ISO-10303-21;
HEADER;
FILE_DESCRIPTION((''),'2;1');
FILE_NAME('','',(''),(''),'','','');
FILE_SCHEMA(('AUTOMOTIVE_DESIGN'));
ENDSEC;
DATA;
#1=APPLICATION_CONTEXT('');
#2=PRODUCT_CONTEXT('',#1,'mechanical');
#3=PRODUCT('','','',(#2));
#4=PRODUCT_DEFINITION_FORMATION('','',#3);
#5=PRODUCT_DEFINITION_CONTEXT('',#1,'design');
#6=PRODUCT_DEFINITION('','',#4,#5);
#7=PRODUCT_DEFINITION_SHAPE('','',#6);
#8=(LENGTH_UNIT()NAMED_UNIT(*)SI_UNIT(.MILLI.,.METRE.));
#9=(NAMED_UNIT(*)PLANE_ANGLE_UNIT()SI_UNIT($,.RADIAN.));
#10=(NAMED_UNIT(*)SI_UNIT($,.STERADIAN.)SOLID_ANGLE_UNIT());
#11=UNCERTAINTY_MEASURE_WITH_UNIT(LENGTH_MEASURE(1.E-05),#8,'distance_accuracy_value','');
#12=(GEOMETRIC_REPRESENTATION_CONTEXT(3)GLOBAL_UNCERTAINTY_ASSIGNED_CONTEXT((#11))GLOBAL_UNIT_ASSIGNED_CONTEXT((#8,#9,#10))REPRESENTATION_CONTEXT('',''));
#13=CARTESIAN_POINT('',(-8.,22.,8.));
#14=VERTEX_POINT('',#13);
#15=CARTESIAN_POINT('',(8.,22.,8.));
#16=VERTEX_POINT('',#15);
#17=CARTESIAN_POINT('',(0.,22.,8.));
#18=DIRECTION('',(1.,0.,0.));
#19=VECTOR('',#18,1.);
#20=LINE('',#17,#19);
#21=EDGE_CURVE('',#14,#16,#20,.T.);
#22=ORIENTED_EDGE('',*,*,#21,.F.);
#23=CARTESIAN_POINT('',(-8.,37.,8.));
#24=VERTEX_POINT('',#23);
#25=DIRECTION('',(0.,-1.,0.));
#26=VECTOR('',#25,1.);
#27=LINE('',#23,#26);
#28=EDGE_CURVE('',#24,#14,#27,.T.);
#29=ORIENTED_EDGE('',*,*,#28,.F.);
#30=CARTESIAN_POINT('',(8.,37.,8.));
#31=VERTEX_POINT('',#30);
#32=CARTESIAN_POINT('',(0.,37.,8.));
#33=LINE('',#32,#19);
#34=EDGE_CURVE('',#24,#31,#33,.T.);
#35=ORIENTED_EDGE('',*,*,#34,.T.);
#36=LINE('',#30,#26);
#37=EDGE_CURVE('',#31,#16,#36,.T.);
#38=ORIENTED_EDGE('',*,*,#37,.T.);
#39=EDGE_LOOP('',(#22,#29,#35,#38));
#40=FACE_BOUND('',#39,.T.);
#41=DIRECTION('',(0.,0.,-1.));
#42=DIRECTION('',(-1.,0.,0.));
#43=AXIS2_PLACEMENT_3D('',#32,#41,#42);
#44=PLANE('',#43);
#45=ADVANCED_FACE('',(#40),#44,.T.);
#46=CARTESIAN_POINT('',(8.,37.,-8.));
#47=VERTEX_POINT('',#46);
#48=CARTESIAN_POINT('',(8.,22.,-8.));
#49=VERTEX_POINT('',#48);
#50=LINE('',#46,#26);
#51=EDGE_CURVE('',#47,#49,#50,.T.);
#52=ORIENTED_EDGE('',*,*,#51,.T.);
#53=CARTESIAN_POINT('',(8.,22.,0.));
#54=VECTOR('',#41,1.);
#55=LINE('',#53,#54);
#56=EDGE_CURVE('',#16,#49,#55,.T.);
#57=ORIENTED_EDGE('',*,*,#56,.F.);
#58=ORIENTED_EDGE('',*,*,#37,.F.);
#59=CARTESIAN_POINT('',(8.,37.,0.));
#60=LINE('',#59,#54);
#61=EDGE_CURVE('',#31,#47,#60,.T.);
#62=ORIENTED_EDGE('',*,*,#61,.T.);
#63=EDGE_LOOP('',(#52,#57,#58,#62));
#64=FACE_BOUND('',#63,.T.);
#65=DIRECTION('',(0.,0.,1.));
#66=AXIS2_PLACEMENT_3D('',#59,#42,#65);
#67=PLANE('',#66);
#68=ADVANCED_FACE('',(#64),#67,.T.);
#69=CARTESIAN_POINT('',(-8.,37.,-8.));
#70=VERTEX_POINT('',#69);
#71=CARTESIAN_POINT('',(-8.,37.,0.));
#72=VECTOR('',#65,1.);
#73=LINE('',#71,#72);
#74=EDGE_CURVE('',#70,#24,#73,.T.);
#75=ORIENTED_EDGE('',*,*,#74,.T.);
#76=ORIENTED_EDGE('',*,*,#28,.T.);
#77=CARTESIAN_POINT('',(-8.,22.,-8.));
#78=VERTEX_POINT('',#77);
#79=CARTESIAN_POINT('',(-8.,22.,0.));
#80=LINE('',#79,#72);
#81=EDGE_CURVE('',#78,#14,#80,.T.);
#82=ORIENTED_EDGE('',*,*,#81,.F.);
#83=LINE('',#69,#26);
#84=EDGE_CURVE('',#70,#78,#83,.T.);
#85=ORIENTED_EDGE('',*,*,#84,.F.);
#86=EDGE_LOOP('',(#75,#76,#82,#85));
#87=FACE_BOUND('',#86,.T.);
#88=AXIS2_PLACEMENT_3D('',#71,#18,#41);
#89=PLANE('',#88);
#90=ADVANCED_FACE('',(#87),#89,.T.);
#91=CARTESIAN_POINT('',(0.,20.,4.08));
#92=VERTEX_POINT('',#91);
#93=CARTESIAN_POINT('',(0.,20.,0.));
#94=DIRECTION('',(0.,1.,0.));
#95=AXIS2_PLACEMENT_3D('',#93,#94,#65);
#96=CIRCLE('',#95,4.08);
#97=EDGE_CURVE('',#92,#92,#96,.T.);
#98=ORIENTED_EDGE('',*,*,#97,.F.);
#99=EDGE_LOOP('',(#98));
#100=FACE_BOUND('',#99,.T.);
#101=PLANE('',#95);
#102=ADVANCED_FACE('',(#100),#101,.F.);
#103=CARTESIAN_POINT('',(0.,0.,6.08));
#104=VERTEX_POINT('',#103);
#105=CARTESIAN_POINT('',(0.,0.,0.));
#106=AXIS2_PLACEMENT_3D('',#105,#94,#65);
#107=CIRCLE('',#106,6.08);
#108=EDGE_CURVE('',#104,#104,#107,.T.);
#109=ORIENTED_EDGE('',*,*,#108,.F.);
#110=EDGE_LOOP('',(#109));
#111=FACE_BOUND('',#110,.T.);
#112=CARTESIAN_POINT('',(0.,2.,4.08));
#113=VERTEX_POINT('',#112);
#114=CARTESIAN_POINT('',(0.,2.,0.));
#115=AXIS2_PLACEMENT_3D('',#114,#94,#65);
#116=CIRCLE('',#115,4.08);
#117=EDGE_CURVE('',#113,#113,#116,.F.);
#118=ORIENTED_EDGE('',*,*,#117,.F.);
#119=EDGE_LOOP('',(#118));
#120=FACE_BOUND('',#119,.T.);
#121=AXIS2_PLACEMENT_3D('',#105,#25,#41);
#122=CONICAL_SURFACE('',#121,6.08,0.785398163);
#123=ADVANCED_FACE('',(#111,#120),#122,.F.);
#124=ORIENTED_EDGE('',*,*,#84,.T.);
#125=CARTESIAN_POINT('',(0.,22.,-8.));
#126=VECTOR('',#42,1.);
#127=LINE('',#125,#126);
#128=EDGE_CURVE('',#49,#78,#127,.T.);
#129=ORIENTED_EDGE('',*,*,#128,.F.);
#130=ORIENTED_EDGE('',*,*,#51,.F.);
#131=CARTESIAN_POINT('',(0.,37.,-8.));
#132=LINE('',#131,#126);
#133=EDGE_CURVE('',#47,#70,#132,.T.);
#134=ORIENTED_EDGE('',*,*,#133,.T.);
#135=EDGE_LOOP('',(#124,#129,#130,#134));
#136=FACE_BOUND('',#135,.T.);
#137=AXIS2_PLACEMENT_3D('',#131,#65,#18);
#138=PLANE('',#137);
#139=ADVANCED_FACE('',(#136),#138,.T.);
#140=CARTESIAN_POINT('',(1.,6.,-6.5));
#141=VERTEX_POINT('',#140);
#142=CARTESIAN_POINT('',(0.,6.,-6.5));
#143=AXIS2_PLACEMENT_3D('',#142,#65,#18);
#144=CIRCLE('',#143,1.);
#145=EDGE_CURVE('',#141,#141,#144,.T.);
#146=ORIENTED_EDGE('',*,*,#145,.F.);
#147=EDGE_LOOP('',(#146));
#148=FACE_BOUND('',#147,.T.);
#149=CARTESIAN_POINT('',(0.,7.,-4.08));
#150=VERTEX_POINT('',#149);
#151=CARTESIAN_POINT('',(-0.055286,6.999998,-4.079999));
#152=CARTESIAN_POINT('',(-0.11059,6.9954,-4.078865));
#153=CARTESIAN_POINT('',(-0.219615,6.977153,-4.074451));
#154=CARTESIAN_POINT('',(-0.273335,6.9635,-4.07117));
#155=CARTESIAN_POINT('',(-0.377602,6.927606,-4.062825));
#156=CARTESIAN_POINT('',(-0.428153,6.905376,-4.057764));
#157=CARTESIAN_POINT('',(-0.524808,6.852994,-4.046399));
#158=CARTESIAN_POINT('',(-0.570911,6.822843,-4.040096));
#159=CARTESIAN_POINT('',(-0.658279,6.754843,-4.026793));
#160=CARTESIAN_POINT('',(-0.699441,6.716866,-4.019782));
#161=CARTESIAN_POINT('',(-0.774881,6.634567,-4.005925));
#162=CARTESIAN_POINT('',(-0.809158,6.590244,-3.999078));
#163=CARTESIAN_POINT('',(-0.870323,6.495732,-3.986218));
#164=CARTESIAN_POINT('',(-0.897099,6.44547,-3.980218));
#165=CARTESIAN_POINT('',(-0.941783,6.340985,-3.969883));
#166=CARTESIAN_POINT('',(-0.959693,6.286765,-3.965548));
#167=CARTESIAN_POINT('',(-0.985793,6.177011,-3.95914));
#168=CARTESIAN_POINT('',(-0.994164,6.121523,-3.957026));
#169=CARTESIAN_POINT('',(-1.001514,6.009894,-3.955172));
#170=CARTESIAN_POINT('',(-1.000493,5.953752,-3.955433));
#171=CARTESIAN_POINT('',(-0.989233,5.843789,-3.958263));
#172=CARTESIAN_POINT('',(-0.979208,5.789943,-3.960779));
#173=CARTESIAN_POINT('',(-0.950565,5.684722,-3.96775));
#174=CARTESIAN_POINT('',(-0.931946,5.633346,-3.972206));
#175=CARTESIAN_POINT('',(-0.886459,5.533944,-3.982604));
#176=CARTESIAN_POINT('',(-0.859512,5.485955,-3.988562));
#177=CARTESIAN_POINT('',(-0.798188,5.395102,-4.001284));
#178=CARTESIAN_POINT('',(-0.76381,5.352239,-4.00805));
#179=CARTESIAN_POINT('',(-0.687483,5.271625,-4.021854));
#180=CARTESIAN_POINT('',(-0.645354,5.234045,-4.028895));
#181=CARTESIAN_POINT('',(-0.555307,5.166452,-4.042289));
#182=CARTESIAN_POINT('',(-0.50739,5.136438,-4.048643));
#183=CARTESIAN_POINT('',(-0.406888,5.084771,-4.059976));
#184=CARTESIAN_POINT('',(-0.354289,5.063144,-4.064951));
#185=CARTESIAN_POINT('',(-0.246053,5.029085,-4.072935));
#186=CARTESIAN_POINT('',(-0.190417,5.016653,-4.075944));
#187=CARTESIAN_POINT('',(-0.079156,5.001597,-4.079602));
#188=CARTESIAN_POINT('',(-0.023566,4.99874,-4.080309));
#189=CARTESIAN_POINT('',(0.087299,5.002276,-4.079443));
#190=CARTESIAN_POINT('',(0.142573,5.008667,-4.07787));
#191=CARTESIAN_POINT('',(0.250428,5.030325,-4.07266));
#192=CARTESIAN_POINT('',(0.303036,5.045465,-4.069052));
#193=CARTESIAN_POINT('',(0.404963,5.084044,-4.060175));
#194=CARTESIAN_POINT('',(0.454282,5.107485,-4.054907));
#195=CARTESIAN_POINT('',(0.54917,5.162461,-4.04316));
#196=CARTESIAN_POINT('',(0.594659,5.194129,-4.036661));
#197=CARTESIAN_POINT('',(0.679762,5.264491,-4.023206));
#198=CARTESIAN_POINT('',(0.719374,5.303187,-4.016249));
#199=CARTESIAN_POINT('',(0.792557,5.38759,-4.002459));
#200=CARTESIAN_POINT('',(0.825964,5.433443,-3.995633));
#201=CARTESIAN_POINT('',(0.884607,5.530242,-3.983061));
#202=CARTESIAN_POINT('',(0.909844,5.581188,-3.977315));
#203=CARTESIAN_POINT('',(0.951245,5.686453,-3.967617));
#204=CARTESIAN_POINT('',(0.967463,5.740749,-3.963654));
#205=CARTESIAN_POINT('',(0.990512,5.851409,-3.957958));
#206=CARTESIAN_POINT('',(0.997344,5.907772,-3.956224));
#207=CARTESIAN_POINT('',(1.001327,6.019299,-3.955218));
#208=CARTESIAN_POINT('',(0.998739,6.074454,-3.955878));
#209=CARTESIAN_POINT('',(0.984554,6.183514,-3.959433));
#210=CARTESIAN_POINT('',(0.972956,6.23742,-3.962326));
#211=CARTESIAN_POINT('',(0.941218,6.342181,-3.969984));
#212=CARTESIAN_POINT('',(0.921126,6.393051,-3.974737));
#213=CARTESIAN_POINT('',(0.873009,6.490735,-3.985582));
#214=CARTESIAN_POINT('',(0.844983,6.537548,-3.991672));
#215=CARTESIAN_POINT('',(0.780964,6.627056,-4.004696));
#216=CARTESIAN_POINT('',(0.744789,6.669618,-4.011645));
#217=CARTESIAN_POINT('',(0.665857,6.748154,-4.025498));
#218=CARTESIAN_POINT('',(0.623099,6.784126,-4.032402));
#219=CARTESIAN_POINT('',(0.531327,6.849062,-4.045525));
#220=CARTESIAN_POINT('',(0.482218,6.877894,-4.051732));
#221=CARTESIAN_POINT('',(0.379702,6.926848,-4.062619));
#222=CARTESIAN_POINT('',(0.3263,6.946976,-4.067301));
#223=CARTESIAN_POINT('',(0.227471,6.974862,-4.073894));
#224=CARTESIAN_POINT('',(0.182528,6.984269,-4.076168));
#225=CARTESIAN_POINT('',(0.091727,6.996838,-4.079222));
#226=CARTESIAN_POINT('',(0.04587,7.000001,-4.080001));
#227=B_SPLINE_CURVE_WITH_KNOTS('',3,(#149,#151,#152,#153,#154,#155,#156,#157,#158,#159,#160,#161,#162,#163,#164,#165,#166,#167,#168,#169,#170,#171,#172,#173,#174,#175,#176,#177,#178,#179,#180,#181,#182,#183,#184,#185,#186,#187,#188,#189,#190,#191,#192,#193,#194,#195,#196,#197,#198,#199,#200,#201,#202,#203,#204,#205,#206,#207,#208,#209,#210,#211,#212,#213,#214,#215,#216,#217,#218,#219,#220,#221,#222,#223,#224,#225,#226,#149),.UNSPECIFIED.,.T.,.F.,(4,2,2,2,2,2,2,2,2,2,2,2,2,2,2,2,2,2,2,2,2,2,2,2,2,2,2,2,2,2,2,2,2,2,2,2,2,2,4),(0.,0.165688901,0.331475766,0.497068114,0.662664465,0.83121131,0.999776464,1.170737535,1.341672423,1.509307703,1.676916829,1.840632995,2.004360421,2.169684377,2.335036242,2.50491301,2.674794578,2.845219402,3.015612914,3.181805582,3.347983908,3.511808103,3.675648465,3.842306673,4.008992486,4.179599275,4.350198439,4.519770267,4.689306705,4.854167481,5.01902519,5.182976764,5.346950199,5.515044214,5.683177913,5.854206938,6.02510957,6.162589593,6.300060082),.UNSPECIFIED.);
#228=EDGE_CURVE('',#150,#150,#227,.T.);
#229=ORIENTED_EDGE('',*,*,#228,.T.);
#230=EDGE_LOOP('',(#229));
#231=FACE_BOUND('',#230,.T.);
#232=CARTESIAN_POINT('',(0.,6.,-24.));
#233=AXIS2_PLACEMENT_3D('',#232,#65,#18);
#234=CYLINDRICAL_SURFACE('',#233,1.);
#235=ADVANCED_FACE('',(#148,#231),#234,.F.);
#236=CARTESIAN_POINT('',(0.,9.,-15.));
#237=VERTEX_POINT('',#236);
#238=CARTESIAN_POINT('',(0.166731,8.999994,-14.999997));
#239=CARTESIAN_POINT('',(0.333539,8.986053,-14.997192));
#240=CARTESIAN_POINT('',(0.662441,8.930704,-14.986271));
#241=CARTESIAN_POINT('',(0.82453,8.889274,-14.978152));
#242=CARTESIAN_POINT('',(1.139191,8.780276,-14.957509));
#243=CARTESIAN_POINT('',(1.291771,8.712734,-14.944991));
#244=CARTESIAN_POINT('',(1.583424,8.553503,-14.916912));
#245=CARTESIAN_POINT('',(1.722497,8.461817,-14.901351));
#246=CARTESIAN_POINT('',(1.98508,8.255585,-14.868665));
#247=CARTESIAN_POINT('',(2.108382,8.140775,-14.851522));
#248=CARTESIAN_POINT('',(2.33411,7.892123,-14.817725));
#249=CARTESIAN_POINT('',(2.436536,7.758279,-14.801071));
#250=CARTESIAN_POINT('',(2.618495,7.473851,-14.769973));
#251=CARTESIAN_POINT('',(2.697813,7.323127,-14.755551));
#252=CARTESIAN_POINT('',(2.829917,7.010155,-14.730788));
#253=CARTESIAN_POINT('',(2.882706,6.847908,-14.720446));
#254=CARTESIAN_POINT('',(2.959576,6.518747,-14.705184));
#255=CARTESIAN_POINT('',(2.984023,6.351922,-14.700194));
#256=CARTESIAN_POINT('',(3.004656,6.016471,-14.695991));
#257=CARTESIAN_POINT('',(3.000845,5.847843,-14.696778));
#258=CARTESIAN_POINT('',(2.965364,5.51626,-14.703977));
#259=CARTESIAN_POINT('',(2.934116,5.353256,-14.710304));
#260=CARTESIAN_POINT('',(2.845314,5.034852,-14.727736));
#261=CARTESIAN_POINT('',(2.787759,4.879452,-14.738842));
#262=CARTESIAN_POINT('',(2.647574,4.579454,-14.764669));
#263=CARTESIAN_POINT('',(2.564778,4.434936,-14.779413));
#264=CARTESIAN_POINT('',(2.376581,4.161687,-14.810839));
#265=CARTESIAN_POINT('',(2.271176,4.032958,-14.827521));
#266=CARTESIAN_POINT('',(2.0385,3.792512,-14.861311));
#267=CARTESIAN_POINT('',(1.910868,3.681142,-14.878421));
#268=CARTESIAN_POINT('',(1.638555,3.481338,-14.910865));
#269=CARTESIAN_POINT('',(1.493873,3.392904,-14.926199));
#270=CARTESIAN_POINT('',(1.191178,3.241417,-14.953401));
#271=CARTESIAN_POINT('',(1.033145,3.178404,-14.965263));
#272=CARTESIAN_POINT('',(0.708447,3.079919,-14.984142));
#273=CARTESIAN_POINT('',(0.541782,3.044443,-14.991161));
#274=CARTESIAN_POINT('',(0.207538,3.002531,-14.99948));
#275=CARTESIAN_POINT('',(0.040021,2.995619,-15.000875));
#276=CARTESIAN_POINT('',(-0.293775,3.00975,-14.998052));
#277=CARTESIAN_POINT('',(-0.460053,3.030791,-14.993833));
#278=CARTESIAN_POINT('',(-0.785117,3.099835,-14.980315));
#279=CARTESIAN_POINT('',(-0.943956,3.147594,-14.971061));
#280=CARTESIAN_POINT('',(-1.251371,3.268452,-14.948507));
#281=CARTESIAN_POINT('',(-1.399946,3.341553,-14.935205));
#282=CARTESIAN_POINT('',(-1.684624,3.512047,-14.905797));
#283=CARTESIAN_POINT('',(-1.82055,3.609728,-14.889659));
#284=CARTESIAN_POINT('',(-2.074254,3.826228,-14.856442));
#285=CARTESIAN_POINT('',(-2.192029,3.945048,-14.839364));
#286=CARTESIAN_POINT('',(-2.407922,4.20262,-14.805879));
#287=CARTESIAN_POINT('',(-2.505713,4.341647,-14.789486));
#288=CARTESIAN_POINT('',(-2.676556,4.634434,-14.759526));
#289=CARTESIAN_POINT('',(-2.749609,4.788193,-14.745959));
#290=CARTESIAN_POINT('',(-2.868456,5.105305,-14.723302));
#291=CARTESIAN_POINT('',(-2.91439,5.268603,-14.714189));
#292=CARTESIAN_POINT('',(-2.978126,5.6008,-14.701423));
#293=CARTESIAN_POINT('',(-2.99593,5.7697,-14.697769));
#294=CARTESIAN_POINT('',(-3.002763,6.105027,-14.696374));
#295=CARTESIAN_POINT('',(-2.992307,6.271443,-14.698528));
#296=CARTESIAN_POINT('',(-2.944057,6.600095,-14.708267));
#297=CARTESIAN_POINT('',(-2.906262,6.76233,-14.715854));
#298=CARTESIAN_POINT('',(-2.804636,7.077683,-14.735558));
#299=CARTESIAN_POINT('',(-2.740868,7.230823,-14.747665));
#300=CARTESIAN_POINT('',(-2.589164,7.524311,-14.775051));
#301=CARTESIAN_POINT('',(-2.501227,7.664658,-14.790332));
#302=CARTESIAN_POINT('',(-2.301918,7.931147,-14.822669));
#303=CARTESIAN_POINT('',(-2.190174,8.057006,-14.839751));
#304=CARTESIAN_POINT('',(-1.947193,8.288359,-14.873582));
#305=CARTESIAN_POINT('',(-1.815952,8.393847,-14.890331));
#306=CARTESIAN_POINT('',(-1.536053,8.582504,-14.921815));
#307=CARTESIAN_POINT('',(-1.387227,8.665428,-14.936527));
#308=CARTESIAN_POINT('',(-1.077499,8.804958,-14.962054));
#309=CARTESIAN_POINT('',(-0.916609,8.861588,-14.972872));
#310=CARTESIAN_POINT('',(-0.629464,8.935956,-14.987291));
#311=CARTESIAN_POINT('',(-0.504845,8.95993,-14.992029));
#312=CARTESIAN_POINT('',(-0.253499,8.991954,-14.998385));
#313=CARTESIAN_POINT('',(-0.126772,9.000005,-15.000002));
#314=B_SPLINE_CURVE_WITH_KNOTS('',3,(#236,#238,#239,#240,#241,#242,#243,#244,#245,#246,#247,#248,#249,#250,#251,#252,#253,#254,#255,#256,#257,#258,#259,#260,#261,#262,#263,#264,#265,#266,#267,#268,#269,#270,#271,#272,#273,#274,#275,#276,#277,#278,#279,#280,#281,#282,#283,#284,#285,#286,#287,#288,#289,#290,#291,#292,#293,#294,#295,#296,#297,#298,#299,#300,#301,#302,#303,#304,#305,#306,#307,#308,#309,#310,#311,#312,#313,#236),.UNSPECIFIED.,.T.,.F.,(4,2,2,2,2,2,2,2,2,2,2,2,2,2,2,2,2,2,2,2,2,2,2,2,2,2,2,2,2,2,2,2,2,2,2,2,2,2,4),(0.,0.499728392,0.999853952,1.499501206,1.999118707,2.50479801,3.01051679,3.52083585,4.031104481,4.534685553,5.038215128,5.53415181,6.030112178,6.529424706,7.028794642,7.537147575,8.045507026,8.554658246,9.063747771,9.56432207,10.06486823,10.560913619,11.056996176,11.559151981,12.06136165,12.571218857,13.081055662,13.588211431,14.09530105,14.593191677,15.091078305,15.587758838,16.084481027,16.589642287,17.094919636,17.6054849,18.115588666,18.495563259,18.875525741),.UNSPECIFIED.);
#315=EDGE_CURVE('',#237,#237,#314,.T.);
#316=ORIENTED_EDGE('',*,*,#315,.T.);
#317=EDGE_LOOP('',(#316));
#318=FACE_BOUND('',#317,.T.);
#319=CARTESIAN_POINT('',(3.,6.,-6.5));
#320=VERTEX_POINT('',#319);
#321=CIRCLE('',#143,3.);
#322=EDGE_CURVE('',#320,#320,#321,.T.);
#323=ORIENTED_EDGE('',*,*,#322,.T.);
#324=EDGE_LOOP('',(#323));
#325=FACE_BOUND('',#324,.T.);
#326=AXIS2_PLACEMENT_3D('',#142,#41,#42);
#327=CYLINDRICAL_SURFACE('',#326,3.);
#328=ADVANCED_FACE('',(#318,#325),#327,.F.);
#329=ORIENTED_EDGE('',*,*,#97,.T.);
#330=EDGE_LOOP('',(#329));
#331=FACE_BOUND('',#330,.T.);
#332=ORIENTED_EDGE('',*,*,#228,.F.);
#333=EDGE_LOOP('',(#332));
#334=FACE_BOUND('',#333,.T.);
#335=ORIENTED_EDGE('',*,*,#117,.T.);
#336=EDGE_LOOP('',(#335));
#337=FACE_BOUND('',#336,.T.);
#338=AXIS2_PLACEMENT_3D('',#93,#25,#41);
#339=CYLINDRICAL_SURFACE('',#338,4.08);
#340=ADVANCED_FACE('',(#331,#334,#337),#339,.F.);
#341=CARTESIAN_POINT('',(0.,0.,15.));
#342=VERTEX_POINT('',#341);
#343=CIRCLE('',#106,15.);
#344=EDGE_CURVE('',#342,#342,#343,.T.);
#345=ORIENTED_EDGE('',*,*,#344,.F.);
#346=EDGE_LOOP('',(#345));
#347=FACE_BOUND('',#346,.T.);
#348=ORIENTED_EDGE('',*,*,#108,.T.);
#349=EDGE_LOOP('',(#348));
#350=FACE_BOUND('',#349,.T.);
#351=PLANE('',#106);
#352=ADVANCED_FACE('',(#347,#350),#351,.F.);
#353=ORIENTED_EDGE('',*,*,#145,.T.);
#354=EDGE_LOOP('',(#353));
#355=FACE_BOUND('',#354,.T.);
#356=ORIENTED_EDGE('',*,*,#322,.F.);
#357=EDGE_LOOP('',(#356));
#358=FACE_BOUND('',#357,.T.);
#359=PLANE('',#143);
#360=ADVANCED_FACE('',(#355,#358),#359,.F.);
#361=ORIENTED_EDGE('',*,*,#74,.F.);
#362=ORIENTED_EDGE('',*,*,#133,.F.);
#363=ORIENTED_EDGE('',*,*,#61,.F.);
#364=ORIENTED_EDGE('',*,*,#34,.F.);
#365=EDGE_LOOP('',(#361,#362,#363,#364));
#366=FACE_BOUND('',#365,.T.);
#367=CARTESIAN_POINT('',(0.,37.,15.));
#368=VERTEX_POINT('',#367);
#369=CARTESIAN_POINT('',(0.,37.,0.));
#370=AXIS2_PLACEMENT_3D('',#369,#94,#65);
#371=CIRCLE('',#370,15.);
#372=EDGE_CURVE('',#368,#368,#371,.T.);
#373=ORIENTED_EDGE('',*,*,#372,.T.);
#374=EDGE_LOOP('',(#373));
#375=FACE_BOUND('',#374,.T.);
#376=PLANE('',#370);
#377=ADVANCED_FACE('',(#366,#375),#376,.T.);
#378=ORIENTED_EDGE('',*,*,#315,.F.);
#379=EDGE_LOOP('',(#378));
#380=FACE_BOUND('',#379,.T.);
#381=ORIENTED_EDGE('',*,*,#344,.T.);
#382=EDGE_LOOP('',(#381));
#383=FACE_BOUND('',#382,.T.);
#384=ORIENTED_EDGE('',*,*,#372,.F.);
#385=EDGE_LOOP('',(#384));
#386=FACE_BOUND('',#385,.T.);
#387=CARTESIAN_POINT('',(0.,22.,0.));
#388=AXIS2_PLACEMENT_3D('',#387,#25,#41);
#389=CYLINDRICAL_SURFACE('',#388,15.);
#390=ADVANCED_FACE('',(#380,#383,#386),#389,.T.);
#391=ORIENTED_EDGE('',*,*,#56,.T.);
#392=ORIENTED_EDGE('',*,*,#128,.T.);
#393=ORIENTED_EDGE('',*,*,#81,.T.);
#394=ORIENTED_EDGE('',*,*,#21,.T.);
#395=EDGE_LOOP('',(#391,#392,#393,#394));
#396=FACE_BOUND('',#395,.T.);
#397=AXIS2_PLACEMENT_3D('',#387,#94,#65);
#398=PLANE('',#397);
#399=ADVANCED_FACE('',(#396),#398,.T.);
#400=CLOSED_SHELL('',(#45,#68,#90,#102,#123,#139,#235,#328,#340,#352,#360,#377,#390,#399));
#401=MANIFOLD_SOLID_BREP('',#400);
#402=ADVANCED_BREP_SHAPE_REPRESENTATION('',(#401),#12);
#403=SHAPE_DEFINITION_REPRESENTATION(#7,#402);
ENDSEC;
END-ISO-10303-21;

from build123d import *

# Parameters (mm, degrees)
SKETCH1_R           = 6.5
SKETCH1_R_2         = 4.08
BOSS_EXTRUDE1_DEPTH = 20
SKETCH2_R           = 15
BOSS_EXTRUDE2_DEPTH = 2
SKETCH3_R           = 15
SKETCH3_W           = 16
SKETCH3_H           = 16
BOSS_EXTRUDE3_DEPTH = 15
BOSS_EXTRUDE4_START = 20
SKETCH4_R           = 15
SKETCH4_R_2         = 6.5
BOSS_EXTRUDE4_DEPTH = 20
SKETCH6_R           = 1
CUT_EXTRUDE1_DEPTH  = 24
CUT_EXTRUDE2_START  = 10
SKETCH8_R           = 3
SKETCH8_R_2         = 1
CUT_EXTRUDE2_DEPTH  = 10
CHAMFER1_SIZE       = 2


with BuildPart() as part:
    # Sketch1 → Boss-Extrude1 (new body)
    with BuildSketch(Plane(origin=(0, 0, 0), x_dir=(1, 0, 0), z_dir=(0, 1, 0))):
        with Locations(Location((0, 0, 0), (0, 0, 270))):
            Circle(SKETCH1_R)
        with Locations(Location((0, 0, 0), (0, 0, 270))):
            Circle(SKETCH1_R_2, mode=Mode.SUBTRACT)
    extrude(amount=BOSS_EXTRUDE1_DEPTH)

    # Sketch2 → Boss-Extrude2 (add)
    with BuildSketch(Plane(origin=(0, 20, 0), x_dir=(1, 0, 0), z_dir=(0, 1, 0))):
        with Locations(Location((0, 0, 0), (0, 0, 270))):
            Circle(SKETCH2_R)
    extrude(amount=BOSS_EXTRUDE2_DEPTH)

    # Sketch3 → Boss-Extrude3 (add)
    with BuildSketch(Plane(origin=(0, 22, 0), x_dir=(1, 0, 0), z_dir=(0, 1, 0))):
        with Locations(Location((0, 0, 0), (0, 0, 270))):
            Circle(SKETCH3_R)
        Rectangle(SKETCH3_W, SKETCH3_H, mode=Mode.SUBTRACT)
    extrude(amount=BOSS_EXTRUDE3_DEPTH)

    # Sketch4 → Boss-Extrude4 (add)
    with BuildSketch(Plane.XZ.offset(-20).offset(BOSS_EXTRUDE4_START)):
        with Locations(Location((0, 0, 0), (0, 0, 90))):
            Circle(SKETCH4_R)
        Circle(SKETCH4_R_2, mode=Mode.SUBTRACT)
    extrude(amount=-BOSS_EXTRUDE4_DEPTH)

    # Sketch6 → Cut-Extrude1 (cut)
    with BuildSketch(Plane.XY):
        with Locations(Location((0, 6, 0), (0, 0, 90))):
            Circle(SKETCH6_R)
    extrude(amount=-CUT_EXTRUDE1_DEPTH, mode=Mode.SUBTRACT)

    # Sketch8 → Cut-Extrude2 (cut)
    with BuildSketch(Plane.XY.offset(-16.5).offset(CUT_EXTRUDE2_START)):
        with Locations(Location((0, 6, 0), (0, 0, 90))):
            Circle(SKETCH8_R)
        with Locations((0, 6)):
            Circle(SKETCH8_R_2, mode=Mode.SUBTRACT)
    extrude(amount=-CUT_EXTRUDE2_DEPTH, mode=Mode.SUBTRACT)

    # Chamfer1
    chamfer1_edges = [part.edges().sort_by_distance(p)[0] for p in [
        (0, 0, -4.08),
    ]]
    chamfer(chamfer1_edges, length=CHAMFER1_SIZE)


solid = part.part
